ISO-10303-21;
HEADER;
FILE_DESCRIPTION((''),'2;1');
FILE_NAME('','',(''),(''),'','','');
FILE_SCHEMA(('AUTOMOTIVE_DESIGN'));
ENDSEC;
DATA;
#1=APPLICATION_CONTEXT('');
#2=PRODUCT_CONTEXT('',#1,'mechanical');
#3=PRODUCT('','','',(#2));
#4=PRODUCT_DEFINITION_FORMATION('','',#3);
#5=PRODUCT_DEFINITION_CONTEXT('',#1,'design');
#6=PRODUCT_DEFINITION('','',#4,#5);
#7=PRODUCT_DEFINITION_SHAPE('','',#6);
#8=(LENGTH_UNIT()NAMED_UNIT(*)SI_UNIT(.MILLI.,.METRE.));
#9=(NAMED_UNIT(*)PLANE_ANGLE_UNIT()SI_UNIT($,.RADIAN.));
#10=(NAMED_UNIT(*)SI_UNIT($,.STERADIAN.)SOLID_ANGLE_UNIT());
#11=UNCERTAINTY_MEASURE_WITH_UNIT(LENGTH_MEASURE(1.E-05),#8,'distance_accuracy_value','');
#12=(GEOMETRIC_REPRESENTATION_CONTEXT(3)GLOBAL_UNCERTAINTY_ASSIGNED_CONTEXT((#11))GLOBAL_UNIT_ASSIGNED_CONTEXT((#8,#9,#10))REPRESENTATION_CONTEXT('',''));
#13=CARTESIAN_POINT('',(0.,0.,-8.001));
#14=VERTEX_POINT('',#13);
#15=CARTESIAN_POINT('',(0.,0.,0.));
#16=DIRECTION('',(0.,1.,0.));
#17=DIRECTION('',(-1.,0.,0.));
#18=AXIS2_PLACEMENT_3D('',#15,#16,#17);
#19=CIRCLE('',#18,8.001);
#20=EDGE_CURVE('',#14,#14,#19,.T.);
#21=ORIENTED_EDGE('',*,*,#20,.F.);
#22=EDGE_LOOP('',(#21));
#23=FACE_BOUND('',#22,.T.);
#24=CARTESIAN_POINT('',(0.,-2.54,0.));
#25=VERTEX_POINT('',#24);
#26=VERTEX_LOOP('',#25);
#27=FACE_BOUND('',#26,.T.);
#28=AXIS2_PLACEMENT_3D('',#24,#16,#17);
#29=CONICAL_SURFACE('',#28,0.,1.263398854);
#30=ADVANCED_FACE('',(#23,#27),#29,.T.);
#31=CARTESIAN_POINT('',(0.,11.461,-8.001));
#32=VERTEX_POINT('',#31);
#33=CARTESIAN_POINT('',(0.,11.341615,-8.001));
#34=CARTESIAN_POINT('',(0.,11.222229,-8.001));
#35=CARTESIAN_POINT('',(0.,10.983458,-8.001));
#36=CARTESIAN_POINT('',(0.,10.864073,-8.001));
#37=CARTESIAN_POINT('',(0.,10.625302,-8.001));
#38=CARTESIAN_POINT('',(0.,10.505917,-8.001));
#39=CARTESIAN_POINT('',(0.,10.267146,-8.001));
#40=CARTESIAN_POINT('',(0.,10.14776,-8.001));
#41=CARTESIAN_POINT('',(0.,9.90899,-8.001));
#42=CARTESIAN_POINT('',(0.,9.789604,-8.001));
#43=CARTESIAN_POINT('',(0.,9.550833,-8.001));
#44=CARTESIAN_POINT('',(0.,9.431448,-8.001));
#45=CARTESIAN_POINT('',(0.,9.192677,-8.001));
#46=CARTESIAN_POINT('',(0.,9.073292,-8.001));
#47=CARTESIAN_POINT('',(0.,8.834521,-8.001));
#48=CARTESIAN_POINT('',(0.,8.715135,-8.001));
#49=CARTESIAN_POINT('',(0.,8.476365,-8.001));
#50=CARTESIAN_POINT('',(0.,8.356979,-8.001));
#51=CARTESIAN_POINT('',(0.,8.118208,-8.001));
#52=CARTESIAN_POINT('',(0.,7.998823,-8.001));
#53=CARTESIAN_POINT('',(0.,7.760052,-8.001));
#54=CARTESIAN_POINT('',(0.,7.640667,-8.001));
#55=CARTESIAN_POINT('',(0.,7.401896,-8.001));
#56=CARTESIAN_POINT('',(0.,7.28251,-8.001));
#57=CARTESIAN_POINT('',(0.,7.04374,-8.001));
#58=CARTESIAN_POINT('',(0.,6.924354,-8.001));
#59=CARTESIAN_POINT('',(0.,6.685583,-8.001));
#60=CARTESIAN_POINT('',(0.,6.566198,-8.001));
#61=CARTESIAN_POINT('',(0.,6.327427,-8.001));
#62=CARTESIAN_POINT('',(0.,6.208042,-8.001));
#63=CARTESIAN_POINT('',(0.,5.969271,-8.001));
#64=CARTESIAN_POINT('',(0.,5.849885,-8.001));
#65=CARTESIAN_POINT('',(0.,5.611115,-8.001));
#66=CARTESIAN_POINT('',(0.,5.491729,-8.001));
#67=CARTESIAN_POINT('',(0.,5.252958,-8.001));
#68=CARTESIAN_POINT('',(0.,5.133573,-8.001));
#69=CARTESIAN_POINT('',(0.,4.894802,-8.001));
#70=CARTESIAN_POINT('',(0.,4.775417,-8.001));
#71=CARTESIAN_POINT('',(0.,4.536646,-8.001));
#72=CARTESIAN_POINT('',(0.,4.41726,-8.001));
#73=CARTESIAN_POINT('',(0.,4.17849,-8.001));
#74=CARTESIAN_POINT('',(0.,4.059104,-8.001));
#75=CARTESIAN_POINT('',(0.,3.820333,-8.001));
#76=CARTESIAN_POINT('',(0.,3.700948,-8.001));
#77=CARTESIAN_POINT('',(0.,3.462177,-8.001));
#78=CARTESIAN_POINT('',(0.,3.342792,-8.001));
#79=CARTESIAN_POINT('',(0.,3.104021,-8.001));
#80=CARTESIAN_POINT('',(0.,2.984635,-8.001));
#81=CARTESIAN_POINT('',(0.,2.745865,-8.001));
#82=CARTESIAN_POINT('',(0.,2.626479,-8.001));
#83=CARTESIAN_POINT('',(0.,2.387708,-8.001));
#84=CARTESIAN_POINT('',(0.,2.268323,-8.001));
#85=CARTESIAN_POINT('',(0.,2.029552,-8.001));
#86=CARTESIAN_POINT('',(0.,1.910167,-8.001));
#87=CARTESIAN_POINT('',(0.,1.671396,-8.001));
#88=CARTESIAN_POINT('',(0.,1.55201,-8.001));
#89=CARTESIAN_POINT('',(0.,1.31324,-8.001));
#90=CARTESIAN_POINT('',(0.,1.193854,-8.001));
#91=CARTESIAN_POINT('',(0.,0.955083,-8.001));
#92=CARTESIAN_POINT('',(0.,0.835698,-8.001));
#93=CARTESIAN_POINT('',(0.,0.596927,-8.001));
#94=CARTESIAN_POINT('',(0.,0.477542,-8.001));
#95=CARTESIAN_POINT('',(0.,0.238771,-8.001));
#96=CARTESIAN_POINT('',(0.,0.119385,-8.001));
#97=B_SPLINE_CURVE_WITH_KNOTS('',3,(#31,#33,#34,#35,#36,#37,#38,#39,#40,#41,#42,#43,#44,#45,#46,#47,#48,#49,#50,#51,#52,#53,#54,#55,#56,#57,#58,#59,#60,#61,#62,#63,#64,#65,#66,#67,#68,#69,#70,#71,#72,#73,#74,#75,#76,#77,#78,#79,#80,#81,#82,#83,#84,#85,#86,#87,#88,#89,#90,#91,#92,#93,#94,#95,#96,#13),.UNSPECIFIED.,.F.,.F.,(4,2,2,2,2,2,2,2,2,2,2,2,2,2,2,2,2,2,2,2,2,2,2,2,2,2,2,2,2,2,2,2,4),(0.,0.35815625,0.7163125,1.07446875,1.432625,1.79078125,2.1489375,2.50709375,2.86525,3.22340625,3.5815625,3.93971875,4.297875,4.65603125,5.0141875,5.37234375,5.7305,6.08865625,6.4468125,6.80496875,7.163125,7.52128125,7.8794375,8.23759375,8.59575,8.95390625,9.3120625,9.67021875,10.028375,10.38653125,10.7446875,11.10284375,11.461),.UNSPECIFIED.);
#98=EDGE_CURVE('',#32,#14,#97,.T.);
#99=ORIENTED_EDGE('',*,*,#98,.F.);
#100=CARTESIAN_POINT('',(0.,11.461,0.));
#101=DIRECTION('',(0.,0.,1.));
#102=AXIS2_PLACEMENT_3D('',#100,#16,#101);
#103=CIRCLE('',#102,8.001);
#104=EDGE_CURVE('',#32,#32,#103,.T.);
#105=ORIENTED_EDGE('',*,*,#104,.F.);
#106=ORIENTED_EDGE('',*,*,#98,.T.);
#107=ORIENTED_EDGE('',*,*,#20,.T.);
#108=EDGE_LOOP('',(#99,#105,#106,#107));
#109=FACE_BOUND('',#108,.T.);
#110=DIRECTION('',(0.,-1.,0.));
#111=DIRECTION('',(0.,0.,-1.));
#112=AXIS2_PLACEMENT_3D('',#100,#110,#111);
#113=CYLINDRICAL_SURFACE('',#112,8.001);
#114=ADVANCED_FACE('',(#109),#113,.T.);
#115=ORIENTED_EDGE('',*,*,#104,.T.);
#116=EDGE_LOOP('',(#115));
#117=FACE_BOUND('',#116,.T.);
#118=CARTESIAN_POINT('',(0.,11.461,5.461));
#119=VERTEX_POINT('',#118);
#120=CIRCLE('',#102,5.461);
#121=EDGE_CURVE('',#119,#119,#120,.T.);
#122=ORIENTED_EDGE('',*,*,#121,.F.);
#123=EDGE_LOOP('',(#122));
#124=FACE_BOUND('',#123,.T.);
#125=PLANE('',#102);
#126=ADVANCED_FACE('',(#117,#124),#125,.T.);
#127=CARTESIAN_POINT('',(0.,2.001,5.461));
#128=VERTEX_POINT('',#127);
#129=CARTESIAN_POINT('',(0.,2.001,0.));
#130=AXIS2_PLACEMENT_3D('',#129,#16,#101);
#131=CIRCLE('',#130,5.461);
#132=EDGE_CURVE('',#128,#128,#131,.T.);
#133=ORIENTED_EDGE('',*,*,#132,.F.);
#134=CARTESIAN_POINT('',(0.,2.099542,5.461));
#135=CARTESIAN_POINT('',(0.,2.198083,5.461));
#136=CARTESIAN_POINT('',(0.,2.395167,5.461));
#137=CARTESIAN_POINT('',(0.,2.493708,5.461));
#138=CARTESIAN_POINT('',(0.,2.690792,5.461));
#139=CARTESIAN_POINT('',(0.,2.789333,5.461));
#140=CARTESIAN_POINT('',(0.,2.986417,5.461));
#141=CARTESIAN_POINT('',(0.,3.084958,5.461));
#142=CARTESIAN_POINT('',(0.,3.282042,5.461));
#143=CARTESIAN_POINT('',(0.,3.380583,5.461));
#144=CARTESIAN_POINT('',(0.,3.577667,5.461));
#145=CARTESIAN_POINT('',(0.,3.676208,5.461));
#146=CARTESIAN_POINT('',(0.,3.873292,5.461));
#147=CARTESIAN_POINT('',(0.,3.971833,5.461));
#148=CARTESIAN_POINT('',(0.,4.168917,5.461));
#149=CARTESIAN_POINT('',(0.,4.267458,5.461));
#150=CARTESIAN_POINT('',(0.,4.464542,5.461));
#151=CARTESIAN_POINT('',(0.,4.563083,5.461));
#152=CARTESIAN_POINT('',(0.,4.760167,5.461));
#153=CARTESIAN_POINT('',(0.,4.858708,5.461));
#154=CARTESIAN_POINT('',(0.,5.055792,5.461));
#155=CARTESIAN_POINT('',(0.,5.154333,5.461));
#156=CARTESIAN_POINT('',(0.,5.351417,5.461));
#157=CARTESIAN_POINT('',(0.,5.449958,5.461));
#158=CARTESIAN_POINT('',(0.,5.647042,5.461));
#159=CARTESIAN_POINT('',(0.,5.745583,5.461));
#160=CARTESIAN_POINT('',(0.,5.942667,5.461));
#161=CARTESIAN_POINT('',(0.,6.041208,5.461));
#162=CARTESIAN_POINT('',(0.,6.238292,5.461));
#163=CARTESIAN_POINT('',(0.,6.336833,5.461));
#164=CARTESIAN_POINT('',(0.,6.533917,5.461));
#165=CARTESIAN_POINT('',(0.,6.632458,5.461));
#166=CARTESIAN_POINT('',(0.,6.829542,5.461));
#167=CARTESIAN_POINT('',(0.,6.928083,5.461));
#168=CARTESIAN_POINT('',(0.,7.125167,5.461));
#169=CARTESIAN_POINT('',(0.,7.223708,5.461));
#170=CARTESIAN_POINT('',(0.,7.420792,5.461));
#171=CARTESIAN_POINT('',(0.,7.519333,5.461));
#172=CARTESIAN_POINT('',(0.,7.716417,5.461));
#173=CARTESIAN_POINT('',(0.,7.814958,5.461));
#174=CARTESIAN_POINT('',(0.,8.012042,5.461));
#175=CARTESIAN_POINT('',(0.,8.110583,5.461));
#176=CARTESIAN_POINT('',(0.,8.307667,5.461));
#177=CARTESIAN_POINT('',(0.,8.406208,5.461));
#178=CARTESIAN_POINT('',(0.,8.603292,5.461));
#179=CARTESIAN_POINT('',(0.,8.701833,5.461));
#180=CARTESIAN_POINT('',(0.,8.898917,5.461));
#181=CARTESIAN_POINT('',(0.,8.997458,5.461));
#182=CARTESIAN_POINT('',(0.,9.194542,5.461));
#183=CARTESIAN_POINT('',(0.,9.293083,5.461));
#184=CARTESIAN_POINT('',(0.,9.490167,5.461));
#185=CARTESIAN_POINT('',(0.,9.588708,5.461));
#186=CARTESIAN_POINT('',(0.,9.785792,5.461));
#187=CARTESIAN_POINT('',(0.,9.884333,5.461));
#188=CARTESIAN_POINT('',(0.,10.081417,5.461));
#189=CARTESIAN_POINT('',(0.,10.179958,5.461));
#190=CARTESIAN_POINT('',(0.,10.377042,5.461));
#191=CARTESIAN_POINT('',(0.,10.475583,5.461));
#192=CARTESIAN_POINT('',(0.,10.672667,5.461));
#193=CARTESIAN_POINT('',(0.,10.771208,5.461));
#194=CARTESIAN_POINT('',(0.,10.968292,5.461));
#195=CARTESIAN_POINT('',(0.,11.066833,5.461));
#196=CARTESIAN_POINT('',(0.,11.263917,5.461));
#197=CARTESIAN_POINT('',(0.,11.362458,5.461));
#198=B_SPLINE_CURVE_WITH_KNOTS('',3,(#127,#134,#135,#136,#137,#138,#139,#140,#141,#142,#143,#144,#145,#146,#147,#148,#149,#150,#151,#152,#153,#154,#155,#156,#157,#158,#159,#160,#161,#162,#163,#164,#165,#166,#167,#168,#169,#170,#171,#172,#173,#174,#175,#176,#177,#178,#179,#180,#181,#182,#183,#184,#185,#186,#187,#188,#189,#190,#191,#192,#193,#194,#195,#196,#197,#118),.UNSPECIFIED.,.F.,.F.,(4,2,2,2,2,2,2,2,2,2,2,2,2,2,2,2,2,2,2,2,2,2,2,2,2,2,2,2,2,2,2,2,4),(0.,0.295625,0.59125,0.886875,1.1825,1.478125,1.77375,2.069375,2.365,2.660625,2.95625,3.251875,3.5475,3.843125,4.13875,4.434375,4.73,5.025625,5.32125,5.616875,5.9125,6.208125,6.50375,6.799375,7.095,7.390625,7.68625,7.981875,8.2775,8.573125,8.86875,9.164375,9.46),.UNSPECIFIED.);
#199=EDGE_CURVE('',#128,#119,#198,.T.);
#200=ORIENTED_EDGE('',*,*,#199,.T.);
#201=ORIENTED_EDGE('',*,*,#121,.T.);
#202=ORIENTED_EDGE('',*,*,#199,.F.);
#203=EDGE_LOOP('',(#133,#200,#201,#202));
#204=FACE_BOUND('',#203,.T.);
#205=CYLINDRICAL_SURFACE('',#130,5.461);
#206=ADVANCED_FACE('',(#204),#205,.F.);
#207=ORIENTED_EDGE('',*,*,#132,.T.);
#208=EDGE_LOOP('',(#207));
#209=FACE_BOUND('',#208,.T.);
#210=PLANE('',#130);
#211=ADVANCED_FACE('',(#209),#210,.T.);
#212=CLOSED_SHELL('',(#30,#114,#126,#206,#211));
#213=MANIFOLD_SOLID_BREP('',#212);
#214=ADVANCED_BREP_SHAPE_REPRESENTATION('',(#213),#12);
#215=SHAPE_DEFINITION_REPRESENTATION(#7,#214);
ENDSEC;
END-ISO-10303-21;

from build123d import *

# Parameters (mm, degrees)
SKETCH1_R           = 8.001
SKETCH1_R_2         = 5.461
BOSS_EXTRUDE1_DEPTH = 11.461
CUT_EXTRUDE1_START  = 11.461
SKETCH1_6_R         = 5.461
CUT_EXTRUDE1_DEPTH  = 9.46


with BuildPart() as part:
    # Sketch1 → Boss-Extrude1 (new body)
    # profile 1 of 2: a face of its own
    with BuildSketch(Plane(origin=(0, 0, 0), x_dir=(1, 0, 0), z_dir=(0, 1, 0))):
        with Locations(Location((0, 0, 0), (0, 0, 90))):
            Circle(SKETCH1_R)
        Circle(SKETCH1_R_2, mode=Mode.SUBTRACT)
    # profile 2 of 2: a face of its own
    with BuildSketch(Plane(origin=(0, 0, 0), x_dir=(1, 0, 0), z_dir=(0, 1, 0))):
        Circle(SKETCH1_R_2)
    extrude(amount=BOSS_EXTRUDE1_DEPTH)

    # Sketch2 → Revolve1 (revolve)
    with BuildSketch(Plane.XY, mode=Mode.PRIVATE) as revolve1_sk:
        Polygon((0, 0), (0, -2.54), (8.001, 0), align=None)
    revolve(revolve1_sk.sketch.rotate(Axis((0, 0, 0), (0, -1, 0)), 180), axis=Axis((0, 0, 0), (0, -1, 0)))

    # Sketch1<6> → Cut-Extrude1 (cut)
    with BuildSketch(Plane(origin=(0, 0, 0), x_dir=(1, 0, 0), z_dir=(0, 1, 0)).offset(CUT_EXTRUDE1_START)):
        with Locations(Location((0, 0, 0), (0, 0, 270))):
            Circle(SKETCH1_6_R)
    extrude(amount=-CUT_EXTRUDE1_DEPTH, mode=Mode.SUBTRACT)


solid = part.part
